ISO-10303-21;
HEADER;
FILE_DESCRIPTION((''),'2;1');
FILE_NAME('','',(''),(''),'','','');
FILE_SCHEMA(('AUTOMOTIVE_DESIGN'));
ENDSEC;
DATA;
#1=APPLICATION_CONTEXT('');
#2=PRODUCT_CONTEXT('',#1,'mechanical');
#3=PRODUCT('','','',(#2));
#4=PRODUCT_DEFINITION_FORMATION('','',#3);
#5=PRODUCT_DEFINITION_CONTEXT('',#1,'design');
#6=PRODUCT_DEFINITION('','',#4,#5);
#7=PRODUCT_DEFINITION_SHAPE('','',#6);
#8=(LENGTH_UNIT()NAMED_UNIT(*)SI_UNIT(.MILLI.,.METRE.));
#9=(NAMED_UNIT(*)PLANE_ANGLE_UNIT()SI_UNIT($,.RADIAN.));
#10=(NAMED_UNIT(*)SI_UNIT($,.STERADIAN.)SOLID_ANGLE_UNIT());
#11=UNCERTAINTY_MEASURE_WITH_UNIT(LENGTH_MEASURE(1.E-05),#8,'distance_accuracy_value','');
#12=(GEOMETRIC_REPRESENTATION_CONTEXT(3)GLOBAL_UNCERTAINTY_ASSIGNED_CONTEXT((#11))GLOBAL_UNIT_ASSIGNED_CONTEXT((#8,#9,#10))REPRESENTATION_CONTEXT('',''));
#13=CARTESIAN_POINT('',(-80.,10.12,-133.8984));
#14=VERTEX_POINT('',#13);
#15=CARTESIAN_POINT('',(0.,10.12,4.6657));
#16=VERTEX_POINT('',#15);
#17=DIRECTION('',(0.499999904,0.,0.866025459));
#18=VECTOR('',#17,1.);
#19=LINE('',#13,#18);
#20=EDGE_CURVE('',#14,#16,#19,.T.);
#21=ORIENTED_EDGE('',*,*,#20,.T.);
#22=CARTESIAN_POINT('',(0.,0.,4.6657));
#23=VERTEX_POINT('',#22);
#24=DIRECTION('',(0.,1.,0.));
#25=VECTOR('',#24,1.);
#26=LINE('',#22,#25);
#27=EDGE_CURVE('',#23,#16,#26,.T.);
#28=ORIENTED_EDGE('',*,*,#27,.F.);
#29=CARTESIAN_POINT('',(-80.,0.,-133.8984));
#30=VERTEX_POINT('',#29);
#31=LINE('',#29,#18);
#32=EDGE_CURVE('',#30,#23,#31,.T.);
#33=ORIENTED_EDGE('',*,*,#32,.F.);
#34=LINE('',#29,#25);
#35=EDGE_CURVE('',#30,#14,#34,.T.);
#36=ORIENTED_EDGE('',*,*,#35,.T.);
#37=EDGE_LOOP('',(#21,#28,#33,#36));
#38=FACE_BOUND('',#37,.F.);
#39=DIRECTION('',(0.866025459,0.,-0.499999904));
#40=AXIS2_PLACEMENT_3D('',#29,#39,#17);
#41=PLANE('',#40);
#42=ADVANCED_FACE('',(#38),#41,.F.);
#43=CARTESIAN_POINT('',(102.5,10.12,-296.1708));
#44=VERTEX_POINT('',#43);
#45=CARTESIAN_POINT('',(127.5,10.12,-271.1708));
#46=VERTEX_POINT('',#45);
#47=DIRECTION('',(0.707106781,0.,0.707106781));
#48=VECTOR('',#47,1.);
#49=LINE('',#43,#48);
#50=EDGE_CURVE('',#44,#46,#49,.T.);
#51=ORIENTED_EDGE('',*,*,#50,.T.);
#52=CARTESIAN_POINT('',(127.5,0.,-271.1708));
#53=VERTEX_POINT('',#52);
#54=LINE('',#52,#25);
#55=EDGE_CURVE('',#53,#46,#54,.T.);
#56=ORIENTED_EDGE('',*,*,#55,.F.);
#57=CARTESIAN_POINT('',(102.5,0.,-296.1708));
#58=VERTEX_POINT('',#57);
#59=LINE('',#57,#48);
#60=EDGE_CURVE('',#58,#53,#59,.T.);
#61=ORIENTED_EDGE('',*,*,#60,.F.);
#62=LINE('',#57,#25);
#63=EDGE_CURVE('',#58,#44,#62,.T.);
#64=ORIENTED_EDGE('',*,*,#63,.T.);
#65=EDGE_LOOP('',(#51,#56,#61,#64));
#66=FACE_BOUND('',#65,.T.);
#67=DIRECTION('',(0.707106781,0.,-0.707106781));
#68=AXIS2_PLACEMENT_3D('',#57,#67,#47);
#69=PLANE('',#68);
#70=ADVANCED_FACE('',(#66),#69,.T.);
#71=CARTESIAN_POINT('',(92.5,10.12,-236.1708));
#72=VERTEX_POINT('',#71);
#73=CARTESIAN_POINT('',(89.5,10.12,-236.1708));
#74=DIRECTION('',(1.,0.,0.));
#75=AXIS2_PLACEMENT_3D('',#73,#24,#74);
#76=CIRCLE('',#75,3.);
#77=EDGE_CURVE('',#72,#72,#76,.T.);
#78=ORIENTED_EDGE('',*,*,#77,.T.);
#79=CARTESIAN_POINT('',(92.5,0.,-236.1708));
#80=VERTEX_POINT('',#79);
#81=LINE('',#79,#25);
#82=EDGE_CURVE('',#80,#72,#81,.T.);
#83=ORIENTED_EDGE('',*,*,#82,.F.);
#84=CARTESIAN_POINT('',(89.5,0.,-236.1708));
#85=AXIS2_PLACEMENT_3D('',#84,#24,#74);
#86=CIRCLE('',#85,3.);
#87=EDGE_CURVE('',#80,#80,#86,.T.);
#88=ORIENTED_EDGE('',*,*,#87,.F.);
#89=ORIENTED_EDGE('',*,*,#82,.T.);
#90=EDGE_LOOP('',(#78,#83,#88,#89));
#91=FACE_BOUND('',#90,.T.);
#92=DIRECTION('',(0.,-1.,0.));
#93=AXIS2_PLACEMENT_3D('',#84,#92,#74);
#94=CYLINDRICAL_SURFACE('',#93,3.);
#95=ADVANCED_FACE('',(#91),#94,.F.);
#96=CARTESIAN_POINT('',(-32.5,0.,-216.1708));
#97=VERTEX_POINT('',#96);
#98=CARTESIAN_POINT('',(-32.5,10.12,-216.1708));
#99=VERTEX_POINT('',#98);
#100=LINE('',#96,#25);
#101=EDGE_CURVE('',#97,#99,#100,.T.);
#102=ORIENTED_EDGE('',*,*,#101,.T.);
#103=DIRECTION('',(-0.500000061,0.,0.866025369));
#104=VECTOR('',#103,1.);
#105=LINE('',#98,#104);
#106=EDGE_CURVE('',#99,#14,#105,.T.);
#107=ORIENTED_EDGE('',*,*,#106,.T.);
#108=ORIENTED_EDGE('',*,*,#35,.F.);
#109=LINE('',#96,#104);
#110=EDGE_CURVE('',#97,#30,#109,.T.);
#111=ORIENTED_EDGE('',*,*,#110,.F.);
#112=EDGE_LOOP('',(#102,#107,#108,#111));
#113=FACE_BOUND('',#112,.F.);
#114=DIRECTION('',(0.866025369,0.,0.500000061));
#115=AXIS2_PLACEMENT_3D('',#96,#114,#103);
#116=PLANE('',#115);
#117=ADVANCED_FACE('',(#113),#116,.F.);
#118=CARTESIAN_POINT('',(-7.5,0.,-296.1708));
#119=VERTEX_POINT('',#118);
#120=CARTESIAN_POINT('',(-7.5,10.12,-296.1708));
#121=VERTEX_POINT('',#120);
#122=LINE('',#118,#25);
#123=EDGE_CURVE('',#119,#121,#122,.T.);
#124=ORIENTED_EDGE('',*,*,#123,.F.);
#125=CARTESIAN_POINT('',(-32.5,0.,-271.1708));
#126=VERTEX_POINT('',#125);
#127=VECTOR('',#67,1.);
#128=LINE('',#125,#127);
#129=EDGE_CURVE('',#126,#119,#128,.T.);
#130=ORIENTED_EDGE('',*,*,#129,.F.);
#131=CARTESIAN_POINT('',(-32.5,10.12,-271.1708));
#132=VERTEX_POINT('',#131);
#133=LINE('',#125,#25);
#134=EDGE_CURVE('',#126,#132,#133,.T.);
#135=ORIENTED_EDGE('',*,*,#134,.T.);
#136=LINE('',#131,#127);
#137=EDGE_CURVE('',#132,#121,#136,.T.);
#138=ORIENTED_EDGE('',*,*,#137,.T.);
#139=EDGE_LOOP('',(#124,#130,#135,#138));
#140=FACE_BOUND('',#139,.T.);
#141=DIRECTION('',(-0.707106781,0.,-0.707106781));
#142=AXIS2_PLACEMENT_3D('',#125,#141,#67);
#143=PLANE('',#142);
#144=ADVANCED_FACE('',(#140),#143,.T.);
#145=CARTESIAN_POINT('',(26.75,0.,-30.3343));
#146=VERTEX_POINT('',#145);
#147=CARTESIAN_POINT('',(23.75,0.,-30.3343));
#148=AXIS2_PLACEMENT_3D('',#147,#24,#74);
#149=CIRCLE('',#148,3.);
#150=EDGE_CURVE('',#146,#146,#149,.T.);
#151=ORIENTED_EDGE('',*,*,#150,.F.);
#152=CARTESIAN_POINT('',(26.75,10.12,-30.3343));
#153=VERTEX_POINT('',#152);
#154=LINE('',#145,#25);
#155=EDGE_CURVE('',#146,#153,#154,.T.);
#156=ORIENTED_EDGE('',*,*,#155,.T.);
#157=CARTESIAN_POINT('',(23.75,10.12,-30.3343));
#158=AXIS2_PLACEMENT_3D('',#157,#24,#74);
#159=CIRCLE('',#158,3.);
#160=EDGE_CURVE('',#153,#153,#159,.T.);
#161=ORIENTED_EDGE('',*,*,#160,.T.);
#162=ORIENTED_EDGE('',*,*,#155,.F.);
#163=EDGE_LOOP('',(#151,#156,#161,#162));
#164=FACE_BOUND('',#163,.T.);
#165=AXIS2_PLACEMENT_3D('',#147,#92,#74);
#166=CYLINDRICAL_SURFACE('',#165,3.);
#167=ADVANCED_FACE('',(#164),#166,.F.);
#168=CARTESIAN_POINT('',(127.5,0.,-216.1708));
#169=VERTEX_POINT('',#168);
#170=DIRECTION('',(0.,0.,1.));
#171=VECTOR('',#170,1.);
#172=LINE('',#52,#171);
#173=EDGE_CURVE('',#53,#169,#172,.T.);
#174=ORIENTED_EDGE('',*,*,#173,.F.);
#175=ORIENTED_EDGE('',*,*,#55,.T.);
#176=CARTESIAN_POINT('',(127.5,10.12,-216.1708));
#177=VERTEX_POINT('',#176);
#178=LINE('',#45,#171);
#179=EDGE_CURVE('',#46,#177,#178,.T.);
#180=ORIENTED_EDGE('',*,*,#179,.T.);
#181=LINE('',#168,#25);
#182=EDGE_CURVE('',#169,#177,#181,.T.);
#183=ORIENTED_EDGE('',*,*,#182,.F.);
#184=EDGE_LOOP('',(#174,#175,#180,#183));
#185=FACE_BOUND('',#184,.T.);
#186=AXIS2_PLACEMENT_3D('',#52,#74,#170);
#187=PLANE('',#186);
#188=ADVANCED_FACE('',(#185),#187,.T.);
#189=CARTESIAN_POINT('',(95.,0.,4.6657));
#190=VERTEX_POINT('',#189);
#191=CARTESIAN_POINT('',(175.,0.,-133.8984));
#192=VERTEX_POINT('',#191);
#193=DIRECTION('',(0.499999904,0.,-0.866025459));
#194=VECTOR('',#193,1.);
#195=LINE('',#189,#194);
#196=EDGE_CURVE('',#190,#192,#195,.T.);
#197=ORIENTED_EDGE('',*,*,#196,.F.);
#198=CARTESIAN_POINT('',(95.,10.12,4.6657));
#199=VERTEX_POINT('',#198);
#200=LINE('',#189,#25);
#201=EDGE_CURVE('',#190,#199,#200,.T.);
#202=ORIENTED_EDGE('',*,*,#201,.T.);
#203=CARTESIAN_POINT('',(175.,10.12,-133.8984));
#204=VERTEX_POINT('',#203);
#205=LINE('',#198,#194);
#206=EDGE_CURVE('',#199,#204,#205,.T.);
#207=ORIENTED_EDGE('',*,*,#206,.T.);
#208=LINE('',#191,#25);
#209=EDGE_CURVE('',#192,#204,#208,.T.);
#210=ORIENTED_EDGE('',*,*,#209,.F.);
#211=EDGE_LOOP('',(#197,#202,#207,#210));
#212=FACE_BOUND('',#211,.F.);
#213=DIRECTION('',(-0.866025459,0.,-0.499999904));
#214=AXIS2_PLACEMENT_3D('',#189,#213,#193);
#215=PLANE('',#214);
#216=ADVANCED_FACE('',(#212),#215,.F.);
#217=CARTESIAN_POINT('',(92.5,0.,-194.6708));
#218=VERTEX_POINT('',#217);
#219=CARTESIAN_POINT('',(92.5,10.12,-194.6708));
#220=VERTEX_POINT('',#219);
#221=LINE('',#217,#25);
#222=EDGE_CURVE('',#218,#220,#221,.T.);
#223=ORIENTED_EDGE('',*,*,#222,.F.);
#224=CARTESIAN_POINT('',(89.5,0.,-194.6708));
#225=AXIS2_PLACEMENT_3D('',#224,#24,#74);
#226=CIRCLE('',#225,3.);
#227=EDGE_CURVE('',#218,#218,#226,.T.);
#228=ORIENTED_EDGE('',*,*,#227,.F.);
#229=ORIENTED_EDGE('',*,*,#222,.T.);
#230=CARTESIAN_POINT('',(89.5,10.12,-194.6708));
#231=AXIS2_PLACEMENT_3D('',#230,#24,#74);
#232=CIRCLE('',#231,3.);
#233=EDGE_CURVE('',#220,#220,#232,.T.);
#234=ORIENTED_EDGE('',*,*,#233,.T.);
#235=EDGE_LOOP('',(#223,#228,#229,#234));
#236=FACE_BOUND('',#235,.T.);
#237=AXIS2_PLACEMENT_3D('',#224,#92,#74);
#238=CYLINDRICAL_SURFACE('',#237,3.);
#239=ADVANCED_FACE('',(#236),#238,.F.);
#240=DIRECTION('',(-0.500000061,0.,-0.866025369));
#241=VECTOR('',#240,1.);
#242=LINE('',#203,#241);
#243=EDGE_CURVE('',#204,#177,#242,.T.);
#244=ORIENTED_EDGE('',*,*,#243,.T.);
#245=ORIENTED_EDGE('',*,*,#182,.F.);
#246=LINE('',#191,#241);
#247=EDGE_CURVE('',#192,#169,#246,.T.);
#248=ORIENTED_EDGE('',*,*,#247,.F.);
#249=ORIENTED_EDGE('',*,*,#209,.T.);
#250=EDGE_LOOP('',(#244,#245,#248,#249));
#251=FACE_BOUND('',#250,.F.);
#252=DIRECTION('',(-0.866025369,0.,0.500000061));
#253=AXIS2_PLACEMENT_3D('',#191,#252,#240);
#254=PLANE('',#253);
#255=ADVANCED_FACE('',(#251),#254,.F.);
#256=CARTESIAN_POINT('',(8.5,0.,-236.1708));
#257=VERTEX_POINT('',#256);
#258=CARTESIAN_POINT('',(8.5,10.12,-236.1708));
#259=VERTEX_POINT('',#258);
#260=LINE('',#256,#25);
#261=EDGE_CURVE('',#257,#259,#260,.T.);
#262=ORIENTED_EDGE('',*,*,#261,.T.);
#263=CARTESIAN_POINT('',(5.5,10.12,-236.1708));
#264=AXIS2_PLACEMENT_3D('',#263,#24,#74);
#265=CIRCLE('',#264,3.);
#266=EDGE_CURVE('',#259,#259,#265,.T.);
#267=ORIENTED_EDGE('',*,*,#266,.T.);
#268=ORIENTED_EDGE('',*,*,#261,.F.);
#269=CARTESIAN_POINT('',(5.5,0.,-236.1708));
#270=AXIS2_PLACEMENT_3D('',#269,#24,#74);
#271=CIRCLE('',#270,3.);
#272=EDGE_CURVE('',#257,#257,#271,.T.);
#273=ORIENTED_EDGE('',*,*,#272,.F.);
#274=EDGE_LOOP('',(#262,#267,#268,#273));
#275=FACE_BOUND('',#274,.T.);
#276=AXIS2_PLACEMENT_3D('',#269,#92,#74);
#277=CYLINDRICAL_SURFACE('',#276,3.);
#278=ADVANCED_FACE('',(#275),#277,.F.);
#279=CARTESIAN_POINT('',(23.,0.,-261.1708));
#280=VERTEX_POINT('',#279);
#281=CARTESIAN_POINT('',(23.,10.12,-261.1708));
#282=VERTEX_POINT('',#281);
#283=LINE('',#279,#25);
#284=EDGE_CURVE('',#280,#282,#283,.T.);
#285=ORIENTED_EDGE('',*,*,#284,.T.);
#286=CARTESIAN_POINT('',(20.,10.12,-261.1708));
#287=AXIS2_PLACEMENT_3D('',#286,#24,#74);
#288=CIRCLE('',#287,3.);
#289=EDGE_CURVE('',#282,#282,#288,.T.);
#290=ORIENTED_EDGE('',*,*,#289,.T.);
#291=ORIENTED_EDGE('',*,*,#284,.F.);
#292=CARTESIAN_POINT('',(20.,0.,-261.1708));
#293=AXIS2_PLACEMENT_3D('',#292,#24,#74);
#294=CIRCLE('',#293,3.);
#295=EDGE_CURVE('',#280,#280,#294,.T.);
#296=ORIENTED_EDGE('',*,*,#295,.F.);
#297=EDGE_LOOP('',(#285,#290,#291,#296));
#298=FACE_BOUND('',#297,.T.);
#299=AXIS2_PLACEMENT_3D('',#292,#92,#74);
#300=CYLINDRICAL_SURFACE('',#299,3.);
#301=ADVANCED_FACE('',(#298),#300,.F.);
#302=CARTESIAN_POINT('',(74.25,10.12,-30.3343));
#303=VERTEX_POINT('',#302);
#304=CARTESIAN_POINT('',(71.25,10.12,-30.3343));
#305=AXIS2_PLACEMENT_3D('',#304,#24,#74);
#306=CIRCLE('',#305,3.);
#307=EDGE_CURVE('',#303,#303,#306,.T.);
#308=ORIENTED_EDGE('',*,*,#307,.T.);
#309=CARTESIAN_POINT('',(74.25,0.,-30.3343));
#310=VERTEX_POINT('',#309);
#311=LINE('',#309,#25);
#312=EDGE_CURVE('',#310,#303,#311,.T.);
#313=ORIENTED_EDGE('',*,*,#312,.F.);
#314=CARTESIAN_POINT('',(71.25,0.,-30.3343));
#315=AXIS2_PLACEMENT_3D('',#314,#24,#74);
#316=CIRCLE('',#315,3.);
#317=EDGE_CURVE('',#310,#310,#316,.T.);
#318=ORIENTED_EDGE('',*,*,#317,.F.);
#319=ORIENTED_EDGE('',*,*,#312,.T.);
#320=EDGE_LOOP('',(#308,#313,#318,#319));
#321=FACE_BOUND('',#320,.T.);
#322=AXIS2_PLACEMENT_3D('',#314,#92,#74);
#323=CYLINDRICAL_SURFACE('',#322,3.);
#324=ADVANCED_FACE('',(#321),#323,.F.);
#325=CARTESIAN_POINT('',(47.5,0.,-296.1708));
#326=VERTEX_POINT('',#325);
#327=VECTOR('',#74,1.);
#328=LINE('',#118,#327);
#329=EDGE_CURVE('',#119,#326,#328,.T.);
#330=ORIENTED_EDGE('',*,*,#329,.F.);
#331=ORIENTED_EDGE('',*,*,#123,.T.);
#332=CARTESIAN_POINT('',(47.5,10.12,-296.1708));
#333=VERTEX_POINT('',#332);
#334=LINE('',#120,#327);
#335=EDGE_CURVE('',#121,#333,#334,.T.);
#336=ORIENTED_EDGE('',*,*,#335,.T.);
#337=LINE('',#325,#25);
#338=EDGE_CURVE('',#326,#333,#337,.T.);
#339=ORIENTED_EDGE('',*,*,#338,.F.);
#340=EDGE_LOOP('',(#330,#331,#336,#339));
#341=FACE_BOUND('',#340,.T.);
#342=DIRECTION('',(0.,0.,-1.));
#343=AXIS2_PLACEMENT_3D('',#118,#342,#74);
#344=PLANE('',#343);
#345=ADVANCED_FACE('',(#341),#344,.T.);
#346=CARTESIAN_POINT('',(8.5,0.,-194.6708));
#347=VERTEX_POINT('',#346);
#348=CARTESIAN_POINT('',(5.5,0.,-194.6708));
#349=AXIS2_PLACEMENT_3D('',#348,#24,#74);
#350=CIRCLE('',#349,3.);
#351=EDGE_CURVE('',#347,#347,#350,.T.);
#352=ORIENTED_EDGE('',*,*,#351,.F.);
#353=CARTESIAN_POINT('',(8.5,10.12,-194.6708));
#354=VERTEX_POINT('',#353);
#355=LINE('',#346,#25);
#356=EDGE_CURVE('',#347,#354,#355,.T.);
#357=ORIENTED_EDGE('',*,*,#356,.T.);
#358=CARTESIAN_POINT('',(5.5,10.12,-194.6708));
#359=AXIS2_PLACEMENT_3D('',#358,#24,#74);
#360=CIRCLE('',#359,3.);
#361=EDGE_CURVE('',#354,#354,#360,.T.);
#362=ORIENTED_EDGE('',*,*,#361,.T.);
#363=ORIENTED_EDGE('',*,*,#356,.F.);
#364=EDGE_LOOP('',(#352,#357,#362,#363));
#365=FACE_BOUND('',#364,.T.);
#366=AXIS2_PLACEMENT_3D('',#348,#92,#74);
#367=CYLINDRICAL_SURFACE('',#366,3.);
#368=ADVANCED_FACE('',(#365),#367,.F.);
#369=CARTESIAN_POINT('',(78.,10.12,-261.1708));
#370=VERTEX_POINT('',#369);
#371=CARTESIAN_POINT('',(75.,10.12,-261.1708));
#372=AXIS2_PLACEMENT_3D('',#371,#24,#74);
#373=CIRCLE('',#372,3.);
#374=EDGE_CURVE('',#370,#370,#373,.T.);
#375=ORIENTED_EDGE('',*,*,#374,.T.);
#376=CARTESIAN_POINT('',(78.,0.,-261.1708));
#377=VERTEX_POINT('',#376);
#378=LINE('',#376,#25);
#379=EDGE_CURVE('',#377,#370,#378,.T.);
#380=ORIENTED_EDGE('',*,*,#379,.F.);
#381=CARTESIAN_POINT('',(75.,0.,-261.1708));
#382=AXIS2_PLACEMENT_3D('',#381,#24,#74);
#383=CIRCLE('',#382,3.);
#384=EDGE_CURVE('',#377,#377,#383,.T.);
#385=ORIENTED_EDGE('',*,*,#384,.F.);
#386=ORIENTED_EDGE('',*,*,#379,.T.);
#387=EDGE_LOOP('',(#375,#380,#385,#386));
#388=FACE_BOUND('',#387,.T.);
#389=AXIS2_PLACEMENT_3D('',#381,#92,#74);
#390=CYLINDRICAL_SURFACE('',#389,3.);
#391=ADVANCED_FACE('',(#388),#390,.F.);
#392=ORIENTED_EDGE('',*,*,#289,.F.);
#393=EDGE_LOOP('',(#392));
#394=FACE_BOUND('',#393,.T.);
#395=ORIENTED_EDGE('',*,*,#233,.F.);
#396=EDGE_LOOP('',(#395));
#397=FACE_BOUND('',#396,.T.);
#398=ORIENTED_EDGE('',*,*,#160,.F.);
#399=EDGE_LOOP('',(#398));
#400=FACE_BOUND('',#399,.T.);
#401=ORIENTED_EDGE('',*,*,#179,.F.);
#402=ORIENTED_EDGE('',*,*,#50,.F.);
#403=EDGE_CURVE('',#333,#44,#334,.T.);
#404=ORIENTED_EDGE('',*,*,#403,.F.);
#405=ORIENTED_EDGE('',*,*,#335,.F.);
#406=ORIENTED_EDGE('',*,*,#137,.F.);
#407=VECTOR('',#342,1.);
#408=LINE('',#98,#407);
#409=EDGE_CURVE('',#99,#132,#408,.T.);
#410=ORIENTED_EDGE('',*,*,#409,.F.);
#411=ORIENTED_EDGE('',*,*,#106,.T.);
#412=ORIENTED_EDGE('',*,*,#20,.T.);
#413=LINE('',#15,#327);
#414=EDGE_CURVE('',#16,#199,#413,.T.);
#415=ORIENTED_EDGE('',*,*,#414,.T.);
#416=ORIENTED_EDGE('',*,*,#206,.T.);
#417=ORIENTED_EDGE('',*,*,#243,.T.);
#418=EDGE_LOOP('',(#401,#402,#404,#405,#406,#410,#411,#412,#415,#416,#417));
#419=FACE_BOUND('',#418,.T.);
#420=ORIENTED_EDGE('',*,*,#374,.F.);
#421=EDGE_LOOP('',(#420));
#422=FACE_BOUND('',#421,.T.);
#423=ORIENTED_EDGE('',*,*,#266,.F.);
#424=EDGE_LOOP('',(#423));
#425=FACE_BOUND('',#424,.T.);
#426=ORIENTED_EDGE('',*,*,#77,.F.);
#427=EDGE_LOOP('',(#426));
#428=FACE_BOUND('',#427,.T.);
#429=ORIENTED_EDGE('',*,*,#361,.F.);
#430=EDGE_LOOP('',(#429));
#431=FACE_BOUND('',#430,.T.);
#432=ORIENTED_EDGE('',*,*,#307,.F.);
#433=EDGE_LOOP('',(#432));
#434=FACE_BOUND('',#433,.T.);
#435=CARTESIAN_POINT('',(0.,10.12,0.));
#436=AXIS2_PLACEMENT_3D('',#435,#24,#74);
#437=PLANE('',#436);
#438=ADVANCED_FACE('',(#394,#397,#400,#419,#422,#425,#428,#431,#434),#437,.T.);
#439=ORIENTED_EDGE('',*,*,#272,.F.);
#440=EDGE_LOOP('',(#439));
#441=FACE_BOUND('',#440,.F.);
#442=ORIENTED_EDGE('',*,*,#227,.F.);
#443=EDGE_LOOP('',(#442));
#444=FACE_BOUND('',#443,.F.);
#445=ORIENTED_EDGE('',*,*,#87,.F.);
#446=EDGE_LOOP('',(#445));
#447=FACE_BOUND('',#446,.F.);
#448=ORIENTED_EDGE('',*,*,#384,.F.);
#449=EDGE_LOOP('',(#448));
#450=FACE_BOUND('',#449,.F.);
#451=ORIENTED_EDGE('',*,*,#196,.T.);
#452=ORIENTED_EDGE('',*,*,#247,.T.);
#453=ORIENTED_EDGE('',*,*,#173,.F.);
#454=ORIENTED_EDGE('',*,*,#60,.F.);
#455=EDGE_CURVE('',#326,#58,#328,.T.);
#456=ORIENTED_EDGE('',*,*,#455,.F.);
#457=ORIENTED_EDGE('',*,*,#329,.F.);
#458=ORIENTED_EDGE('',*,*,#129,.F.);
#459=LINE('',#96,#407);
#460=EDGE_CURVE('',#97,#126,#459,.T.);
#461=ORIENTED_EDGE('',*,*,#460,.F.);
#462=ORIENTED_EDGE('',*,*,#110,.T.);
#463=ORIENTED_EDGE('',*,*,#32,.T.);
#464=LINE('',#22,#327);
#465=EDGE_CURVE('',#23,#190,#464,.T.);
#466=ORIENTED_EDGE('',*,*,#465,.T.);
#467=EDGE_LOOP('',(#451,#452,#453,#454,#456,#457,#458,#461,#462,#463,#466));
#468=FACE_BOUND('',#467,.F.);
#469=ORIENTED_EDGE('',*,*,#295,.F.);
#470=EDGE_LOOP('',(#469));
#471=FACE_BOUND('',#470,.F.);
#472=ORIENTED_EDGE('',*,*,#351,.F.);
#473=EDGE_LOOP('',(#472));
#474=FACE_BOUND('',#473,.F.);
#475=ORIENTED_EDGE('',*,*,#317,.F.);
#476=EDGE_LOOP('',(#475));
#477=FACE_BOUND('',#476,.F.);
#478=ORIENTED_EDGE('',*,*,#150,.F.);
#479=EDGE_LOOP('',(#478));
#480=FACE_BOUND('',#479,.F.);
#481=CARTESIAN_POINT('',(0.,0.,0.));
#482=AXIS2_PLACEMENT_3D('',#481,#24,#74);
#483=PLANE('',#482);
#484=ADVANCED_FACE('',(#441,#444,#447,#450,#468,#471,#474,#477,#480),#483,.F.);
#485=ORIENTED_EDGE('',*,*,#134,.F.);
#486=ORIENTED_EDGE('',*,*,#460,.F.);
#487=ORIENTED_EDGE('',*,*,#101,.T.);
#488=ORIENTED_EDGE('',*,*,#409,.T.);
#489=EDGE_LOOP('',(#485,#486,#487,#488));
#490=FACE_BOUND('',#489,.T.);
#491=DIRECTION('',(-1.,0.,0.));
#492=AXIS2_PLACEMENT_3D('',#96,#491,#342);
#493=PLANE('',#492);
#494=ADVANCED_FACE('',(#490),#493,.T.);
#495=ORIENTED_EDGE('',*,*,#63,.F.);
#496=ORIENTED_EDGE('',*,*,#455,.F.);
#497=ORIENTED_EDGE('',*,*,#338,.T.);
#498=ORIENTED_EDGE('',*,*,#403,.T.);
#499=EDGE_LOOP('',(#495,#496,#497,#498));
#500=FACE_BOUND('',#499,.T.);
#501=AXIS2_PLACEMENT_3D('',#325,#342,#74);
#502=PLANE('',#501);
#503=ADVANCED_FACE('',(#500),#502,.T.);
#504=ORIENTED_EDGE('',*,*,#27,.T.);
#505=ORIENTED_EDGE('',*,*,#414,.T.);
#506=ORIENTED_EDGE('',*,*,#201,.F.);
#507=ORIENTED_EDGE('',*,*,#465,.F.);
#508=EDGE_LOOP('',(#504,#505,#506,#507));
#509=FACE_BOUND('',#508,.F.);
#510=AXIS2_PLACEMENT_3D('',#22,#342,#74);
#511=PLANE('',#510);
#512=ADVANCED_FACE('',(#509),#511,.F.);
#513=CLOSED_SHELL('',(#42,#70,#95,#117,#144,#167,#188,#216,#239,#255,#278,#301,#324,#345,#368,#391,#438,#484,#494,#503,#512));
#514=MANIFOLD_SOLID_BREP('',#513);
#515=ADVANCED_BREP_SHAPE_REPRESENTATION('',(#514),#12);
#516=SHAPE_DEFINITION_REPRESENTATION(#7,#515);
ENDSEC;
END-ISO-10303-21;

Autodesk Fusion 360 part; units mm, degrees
sketch "Esquisse3" plane through (0, 0, 0) normal (0, 1, 0) x (1, 0, 0)
  line L0 (-32.5, 271.1708) -> (-7.5, 296.1708)
  line L1 (-32.5, 261.1708) -> (127.5, 261.1708) construction
  line L2 (127.5, 216.1708) -> (-32.5, 216.1708) construction
  circle A0 centre (20, 261.1708) radius 3
  line L3 (-7.5, 296.1708) -> (102.5, 296.1708)
  circle A1 centre (89.5, 194.6708) radius 3
  line L4 (-32.5, 236.1708) -> (127.5, 236.1708) construction
  line L5 (0, -4.6657) -> (95, -4.6657)
  circle A2 centre (89.5, 236.1708) radius 3
  line L6 (47.5, 23.552) -> (47.5, 296.1708)
  circle A3 centre (5.5, 194.6708) radius 3
  line L7 (47.5, 30.3343) -> (47.5, -4.6657) construction
  line L8 (-44.913, 194.6708) -> (139.913, 194.6708) construction
  line L9 (-80, 133.8984) -> (0, -4.6657)
  line L10 (95, -4.6657) -> (175, 133.8984)
  line L11 (23.75, 67.2637) -> (23.75, -4.6657) construction
  line L12 (71.25, 67.8004) -> (71.25, 0) construction
  line L13 (-32.5, 216.1708) -> (-80, 133.8984)
  line L14 (127.5, 271.1708) -> (127.5, 216.1708)
  line L15 (102.5, 296.1708) -> (127.5, 271.1708)
  line L16 (-32.5, 216.1708) -> (-32.5, 271.1708)
  line L17 (-32.5, 271.1708) -> (127.5, 271.1708) construction
  line L18 (-20.2073, 30.3343) -> (115.2073, 30.3343) construction
  line L19 (175, 133.8984) -> (127.5, 216.1708)
  circle A4 centre (75, 261.1708) radius 3
  circle A5 centre (5.5, 236.1708) radius 3
  circle A6 centre (23.75, 30.3343) radius 3
  circle A7 centre (71.25, 30.3343) radius 3
  line L20 (5.5, 300.8365) -> (5.5, 171.5052) construction
  line L21 (89.5, 296.1708) -> (89.5, 171.5052) construction
  line L22 (20, 296.1708) -> (20, 171.5052) construction
  line L23 (75, 296.1708) -> (75, 171.5052) construction
  point P0 (0, -4.6657)
  dimension "d12" = 95
  dimension "d60" = 120
  dimension "d18" = 120
  dimension "d63" = 160
  dimension "d65" = 25
  dimension "d66" = 25
  dimension "d35" = 35
  dimension "d70" = 6
  dimension "d71" = 6
  dimension "d72" = 6
  dimension "d56" = 6
  dimension "d74" = 6
  dimension "d75" = 6
  dimension "d79" = 101.5
  dimension "d80" = 23.75
  dimension "d67" = 23.75
  dimension "d88" = 80
  dimension "d89" = 60
  dimension "d90" = 25
  dimension "d95" = 95
  dimension "d96" = 160
  dimension "d97" = 35
  dimension "d98" = 6
  dimension "d99" = 6
  dimension "d100" = 38
  dimension "d101" = 38
  dimension "d102" = 52.5
  dimension "d103" = 52.5
extrude "Extrusion5" add sketch "Esquisse3" along normal blind 10.12
equation "plaque0_l1_Ref = 160 mm"
equation "plaque0_l2_Ref = 95 mm"
equation "plaque_ep = 10.12 mm"
equation "support_prof = 80 mm"
equation "support_chanf = 25 mm"
equation "trou_butée_x = 38 mm"
equation "trou_butée_y = 60 mm"
equation "trou_diam = 6.05 mm"
equation "trou_butée_entraxe = 41.5 mm"
equation "trou_glissière_y = 35.025 mm"
equation "trou_glissière_entraxe = 55 mm"
equation "trou_glissière_x = 27.525 mm"
equation "d104 = plaque_ep"
